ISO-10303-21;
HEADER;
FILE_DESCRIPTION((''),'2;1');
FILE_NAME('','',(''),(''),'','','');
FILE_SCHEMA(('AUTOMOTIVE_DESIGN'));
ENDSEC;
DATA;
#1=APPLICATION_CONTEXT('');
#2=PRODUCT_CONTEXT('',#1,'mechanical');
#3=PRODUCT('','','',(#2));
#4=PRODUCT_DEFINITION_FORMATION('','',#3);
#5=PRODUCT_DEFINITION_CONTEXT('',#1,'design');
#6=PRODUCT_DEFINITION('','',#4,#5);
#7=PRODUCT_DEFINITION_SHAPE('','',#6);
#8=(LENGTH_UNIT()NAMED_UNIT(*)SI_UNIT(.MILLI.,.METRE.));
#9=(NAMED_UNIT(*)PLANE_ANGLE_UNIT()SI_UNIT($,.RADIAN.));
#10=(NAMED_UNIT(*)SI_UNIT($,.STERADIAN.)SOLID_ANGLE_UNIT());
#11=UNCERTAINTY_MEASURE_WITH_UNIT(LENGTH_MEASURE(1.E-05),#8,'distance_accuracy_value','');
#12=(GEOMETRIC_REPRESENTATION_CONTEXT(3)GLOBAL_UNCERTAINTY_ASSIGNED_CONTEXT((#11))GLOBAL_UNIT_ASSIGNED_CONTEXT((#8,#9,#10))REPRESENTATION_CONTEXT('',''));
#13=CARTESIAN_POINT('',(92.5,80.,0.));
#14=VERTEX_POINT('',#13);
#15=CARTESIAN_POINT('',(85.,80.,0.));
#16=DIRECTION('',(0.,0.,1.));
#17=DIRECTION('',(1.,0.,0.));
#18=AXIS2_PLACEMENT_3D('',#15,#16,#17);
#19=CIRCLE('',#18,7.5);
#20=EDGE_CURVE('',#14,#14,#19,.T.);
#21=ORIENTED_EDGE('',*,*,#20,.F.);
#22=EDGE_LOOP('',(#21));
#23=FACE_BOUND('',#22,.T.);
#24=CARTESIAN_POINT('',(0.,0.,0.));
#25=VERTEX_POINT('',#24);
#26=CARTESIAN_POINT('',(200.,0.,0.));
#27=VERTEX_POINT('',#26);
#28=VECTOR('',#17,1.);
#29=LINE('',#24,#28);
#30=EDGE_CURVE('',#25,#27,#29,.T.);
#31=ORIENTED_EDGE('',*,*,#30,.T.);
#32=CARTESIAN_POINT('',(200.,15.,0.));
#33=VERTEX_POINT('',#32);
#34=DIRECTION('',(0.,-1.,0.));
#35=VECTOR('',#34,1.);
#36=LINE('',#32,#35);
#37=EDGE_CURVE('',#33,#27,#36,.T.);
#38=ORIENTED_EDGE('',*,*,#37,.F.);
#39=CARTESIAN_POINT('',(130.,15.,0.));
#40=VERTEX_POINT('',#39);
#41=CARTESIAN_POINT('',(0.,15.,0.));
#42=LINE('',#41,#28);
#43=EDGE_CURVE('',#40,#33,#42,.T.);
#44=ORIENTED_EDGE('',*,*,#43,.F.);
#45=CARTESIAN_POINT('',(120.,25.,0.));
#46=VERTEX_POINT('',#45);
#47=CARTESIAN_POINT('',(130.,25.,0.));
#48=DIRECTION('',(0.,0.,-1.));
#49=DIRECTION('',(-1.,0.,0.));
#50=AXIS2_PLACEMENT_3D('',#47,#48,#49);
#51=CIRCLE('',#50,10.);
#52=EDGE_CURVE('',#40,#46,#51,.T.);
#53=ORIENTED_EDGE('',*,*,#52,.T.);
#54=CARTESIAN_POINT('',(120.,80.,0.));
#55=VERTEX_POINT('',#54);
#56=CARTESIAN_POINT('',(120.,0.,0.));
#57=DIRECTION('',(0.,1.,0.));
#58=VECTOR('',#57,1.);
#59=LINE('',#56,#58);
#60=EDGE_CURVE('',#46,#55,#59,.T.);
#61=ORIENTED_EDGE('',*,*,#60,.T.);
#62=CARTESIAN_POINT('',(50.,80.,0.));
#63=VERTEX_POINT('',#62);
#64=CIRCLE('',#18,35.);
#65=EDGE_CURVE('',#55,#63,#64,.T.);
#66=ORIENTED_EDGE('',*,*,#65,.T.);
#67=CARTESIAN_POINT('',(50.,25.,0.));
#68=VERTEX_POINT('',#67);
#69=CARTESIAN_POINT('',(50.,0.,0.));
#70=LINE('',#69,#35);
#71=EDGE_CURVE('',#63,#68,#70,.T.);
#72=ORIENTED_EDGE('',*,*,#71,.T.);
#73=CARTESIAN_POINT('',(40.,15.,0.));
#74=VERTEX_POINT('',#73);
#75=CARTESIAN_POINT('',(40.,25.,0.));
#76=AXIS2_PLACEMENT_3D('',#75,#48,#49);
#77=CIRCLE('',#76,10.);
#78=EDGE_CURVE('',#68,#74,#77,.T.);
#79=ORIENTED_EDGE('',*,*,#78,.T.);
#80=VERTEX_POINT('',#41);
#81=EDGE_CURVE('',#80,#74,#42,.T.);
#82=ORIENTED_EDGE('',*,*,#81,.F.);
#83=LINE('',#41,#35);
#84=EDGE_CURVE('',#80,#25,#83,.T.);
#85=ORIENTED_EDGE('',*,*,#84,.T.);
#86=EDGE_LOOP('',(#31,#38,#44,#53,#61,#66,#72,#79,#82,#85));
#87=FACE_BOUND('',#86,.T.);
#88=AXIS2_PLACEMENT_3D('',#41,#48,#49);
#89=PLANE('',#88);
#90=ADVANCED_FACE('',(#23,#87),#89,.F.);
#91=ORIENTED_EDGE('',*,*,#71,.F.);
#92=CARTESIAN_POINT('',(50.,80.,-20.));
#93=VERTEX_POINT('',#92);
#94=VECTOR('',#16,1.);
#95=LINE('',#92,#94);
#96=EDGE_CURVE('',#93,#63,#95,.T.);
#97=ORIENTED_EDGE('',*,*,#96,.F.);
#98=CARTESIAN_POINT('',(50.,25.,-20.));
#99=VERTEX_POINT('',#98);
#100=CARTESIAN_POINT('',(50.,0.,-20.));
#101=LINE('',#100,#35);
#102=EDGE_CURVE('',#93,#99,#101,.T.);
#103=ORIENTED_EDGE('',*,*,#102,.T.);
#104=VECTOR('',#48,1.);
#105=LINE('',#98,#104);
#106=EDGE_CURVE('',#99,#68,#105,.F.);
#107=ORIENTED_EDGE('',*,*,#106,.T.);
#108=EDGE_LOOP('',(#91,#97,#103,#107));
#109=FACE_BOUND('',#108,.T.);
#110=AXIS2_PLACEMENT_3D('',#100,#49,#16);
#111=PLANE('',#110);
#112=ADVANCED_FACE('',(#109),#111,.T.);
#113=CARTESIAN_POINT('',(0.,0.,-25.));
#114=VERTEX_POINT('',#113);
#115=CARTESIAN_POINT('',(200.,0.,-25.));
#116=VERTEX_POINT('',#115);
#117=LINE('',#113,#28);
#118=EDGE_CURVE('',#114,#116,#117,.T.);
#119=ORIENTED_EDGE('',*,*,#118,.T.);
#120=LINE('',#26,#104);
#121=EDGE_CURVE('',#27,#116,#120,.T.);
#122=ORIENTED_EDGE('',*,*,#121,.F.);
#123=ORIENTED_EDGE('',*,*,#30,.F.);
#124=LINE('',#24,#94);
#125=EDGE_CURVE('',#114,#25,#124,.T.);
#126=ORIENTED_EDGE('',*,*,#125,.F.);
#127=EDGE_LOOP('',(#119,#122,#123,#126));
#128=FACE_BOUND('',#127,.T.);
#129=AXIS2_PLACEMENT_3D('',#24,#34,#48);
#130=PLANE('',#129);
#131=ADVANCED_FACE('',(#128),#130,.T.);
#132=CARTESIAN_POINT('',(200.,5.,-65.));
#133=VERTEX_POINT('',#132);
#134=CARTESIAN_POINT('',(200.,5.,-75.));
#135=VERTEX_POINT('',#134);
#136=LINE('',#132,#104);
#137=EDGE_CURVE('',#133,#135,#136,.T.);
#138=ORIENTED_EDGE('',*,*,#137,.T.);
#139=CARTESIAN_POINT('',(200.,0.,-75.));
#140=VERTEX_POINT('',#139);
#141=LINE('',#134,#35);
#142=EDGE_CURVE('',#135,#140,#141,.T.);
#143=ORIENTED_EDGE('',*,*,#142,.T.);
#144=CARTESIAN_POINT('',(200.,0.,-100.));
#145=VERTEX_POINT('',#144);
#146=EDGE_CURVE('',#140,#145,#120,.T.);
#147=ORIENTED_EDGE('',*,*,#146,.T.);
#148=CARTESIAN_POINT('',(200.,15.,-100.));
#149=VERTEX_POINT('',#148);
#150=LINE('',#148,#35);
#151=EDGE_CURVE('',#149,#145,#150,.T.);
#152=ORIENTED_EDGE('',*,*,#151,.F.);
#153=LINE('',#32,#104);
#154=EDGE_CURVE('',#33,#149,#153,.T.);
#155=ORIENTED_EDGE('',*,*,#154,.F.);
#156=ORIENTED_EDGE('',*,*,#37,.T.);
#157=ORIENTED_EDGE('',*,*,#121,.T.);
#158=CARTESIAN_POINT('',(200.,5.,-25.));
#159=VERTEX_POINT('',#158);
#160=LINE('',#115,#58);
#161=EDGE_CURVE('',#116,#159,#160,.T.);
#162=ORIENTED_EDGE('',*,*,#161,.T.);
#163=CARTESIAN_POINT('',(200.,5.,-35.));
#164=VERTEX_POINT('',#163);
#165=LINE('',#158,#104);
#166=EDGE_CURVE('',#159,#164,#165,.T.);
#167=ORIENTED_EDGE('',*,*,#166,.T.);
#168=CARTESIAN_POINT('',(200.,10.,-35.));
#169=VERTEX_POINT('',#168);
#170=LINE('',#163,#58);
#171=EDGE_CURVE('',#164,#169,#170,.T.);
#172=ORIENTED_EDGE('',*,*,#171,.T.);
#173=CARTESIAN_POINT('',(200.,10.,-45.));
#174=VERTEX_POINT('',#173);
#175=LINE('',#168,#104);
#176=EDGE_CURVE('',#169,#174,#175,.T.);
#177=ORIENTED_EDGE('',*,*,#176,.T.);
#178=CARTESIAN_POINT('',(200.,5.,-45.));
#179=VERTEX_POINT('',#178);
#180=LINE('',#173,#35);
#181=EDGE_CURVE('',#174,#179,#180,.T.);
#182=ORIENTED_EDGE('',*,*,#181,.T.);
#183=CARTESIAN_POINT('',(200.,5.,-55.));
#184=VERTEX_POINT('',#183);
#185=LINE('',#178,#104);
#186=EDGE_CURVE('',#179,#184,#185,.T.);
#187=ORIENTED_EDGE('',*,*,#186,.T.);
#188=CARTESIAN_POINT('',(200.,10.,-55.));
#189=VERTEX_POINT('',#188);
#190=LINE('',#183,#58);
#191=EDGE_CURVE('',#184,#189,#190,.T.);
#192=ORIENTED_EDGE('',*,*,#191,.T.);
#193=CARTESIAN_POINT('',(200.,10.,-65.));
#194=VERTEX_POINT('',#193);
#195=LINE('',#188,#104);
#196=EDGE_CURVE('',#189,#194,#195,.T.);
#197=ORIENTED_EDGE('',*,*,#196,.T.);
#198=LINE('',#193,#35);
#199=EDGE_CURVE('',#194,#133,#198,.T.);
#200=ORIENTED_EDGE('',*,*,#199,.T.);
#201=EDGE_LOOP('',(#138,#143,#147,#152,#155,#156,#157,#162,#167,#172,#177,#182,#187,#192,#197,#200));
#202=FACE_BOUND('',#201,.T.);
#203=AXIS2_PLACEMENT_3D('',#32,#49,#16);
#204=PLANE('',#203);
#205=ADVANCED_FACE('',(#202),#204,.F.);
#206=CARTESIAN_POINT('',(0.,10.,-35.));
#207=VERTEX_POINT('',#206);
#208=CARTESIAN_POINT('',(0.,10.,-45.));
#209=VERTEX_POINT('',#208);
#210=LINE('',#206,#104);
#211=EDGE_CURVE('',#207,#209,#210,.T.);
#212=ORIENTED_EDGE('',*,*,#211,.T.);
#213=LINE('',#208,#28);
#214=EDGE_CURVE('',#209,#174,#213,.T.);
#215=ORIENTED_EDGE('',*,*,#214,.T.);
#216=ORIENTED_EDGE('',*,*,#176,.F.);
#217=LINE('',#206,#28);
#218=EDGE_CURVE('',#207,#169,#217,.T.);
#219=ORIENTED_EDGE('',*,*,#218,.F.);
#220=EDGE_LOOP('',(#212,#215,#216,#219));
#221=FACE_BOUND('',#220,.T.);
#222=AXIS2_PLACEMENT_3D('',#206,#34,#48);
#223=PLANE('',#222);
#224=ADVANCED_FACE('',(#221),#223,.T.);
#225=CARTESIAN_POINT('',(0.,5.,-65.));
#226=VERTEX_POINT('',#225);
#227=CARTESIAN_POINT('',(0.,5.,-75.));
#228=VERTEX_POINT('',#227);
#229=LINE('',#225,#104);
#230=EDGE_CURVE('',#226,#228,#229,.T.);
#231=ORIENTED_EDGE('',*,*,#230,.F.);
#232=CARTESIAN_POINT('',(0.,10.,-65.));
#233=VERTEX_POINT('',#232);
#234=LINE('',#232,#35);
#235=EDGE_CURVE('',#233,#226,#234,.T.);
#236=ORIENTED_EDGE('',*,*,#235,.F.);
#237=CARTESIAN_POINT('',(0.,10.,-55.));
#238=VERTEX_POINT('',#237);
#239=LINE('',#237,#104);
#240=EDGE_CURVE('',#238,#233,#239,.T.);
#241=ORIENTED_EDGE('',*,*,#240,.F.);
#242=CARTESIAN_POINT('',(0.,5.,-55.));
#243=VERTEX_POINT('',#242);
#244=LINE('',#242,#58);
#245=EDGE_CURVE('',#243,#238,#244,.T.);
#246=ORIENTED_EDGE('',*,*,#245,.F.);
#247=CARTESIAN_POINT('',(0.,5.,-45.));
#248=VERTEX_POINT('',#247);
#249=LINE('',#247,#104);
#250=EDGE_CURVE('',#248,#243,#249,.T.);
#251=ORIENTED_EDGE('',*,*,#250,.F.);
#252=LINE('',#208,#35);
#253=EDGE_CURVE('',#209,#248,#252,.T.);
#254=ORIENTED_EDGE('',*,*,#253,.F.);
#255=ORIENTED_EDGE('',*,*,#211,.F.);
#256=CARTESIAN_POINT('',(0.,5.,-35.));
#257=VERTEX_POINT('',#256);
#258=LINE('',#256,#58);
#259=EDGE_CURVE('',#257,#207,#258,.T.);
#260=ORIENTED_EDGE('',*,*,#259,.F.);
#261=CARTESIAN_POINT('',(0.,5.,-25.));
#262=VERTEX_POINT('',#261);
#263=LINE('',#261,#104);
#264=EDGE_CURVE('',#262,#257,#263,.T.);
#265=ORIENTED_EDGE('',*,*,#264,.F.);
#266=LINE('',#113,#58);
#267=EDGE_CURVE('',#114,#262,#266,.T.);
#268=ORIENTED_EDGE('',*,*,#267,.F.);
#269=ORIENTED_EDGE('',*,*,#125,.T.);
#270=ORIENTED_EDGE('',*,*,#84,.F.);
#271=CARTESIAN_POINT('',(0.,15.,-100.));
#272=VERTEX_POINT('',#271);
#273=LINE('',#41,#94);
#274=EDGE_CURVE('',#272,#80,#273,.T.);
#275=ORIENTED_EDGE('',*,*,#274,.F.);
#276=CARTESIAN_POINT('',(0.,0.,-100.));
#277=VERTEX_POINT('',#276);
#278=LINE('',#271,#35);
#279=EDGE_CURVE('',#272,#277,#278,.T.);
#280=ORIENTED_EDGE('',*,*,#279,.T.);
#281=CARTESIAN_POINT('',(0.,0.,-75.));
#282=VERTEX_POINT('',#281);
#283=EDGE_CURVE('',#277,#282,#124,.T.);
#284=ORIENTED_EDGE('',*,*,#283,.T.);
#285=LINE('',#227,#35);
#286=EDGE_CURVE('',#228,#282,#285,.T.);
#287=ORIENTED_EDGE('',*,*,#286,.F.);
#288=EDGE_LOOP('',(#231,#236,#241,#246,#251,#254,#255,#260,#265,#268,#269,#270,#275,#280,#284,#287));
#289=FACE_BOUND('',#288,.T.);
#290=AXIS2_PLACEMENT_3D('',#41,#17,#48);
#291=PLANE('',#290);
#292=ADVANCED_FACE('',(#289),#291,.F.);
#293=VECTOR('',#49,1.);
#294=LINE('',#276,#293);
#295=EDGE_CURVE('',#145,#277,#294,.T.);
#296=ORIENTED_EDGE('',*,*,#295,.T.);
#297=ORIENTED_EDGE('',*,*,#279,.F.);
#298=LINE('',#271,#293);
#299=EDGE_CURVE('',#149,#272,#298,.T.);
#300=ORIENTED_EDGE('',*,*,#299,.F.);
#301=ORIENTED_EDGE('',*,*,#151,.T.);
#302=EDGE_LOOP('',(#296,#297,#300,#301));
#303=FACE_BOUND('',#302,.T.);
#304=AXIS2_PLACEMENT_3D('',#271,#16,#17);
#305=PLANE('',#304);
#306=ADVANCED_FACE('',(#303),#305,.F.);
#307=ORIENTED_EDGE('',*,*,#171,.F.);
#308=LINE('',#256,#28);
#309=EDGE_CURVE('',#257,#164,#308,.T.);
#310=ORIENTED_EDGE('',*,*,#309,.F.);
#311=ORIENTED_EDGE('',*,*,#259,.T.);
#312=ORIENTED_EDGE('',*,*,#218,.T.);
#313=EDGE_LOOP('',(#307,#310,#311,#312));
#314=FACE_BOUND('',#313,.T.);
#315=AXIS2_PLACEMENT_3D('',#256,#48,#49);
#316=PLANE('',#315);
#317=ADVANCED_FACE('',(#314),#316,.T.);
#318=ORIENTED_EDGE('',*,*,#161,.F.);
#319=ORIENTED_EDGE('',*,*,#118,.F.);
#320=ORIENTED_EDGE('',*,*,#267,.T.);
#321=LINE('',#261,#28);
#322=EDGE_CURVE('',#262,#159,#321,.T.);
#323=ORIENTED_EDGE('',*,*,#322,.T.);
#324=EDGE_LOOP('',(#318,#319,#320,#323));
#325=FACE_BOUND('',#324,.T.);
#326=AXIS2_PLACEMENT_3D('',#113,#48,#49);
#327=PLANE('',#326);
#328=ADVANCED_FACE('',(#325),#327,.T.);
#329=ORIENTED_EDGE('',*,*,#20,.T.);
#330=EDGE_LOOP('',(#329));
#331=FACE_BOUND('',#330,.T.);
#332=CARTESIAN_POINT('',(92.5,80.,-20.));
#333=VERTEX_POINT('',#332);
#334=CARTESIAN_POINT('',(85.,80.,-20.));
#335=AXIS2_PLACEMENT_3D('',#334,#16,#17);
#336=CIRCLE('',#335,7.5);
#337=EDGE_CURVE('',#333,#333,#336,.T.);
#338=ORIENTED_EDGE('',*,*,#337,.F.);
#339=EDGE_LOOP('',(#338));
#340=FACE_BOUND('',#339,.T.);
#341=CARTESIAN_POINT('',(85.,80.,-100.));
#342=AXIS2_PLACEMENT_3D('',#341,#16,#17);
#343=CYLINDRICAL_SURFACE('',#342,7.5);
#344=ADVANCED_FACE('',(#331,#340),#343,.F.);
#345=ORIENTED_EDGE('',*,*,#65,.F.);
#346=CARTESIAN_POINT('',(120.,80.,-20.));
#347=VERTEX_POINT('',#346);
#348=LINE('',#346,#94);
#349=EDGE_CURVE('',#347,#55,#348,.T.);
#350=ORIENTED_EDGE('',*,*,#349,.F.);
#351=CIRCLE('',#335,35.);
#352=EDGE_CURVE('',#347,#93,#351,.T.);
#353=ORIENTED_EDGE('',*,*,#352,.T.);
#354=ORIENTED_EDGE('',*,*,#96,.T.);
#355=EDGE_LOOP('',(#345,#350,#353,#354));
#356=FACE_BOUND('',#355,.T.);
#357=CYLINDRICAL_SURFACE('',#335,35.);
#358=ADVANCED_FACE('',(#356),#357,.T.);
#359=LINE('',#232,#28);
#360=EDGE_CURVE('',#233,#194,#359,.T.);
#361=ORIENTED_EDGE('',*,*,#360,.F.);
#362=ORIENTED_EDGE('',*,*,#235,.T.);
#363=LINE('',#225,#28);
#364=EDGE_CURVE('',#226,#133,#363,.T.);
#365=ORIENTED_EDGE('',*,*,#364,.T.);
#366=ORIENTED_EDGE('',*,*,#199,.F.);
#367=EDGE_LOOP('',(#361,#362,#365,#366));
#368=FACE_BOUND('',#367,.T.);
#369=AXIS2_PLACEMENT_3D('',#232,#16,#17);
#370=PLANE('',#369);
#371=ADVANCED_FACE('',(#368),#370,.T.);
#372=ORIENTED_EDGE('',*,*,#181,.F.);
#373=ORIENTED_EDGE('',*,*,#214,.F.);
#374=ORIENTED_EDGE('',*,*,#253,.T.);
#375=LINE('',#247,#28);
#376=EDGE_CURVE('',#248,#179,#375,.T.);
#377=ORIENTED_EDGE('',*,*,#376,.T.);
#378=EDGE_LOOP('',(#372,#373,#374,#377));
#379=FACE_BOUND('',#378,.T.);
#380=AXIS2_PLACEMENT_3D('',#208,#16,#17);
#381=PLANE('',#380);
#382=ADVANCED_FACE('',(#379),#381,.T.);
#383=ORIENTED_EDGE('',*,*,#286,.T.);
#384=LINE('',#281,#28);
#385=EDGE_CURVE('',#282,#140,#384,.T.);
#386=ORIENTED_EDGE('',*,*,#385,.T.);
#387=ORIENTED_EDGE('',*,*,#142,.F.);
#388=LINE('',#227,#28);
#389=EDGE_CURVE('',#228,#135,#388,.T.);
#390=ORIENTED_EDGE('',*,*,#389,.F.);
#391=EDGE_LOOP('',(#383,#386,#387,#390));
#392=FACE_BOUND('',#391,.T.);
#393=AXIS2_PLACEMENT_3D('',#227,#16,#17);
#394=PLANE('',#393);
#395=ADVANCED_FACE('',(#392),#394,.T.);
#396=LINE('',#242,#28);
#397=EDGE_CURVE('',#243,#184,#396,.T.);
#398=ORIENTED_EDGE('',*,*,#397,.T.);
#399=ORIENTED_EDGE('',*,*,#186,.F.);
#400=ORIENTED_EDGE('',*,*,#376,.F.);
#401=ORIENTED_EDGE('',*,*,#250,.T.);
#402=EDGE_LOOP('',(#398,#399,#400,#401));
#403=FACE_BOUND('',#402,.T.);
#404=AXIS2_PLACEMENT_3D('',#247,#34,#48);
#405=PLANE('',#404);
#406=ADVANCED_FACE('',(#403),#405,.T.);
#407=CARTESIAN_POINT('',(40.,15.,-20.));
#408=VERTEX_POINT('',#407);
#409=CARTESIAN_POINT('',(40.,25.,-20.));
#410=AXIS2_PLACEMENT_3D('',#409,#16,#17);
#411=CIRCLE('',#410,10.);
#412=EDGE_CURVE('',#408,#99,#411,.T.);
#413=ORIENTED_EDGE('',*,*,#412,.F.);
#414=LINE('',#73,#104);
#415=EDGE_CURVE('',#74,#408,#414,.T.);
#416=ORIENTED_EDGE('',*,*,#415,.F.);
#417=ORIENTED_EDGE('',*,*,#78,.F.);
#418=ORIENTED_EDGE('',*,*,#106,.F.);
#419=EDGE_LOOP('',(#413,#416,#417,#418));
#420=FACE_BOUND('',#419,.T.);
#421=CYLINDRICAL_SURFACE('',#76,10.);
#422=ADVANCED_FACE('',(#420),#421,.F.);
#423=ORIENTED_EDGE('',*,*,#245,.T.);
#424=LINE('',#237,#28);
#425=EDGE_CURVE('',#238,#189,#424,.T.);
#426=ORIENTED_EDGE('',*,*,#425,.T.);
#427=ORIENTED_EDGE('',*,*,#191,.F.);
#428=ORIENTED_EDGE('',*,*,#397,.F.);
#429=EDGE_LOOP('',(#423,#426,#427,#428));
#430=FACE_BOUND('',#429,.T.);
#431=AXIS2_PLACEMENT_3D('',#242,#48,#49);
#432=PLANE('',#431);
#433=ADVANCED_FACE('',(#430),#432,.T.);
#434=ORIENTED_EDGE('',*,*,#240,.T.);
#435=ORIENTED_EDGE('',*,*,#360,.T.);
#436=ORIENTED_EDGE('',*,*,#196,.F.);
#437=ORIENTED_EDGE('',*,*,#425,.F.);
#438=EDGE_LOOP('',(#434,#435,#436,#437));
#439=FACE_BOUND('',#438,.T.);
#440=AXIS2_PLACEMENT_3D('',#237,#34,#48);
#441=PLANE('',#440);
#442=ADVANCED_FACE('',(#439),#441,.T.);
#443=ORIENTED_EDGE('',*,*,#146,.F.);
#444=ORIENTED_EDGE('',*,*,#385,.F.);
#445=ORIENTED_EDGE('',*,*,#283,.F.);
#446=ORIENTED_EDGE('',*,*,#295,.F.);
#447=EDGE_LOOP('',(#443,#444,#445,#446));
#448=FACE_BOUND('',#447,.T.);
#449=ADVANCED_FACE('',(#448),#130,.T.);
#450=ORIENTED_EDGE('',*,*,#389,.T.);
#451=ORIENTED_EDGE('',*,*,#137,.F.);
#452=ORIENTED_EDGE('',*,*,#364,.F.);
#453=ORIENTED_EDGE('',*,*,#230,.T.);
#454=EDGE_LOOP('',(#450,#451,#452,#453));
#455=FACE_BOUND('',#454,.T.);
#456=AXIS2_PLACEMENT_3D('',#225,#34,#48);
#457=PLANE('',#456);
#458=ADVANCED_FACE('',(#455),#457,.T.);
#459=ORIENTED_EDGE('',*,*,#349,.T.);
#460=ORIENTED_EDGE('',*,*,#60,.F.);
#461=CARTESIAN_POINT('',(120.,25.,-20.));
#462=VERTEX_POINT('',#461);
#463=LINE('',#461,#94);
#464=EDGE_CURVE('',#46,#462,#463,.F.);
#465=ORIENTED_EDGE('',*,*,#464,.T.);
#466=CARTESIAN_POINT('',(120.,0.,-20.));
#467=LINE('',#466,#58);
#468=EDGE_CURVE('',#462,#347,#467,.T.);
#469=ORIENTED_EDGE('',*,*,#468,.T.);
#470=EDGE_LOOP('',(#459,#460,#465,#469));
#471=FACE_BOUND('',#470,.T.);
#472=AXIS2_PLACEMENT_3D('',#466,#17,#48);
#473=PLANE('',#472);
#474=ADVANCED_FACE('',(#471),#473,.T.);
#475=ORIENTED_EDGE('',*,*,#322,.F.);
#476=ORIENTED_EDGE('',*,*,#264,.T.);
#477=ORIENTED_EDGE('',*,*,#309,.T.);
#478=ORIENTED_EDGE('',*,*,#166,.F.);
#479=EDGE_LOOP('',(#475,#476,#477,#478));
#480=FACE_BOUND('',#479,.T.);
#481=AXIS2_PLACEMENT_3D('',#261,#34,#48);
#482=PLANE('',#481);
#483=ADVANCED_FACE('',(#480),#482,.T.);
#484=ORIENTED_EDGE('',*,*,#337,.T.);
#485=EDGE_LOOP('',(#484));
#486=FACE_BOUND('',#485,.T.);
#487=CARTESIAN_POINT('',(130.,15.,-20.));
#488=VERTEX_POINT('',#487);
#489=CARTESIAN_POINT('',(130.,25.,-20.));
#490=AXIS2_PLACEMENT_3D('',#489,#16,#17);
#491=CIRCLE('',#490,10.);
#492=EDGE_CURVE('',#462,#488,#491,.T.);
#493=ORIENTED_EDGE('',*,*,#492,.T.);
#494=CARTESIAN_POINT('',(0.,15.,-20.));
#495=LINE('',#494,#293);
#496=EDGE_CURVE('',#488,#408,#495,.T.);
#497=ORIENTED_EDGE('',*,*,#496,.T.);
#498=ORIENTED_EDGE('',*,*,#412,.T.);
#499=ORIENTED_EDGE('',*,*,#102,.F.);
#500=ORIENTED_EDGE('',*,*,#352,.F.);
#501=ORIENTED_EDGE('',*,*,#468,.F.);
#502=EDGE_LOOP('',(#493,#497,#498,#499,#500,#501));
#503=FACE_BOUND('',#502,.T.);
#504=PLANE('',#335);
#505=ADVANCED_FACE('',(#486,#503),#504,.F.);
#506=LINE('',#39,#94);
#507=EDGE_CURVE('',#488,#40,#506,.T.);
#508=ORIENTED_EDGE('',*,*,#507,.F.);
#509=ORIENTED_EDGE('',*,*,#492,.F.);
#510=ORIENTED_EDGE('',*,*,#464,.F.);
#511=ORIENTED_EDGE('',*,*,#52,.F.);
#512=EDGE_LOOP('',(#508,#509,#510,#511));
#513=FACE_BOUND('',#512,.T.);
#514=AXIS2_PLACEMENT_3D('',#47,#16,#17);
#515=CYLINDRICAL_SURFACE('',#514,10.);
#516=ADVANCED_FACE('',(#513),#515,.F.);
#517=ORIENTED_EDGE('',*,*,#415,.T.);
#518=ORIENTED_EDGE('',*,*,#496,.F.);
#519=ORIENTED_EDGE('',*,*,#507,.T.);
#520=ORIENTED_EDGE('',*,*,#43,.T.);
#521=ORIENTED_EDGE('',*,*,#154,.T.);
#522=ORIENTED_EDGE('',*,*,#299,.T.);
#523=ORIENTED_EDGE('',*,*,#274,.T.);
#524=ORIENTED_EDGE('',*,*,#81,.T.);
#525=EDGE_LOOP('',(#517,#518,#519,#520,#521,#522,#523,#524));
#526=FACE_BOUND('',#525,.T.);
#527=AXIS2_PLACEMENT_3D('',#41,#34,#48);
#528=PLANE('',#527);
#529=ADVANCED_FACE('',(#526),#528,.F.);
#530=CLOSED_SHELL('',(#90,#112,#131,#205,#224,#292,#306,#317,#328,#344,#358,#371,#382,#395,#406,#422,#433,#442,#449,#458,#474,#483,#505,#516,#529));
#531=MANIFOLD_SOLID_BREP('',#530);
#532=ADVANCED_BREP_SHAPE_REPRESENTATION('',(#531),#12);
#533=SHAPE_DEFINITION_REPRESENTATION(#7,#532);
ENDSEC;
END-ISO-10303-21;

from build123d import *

# Parameters (mm, degrees)
SKETCH_1_W          = 200
SKETCH_1_H          = 100
EXTRUDE_1_DEPTH     = 15
EXTRUDE_2_DEPTH     = 20
CUT_EXTRUDE_2_DEPTH = 201
SKETCH_4_R          = 7.5
CUT_EXTRUDE_3_DEPTH = 101
FILLET_2_R          = 10


with BuildPart() as part:
    # 스케치1 → 보스-돌출1 (new body)
    with BuildSketch(Plane(origin=(0, 0, 0), x_dir=(1, 0, 0), z_dir=(0, 1, 0))):
        with Locations((100, 50)):
            Rectangle(SKETCH_1_W, SKETCH_1_H)
    extrude(amount=EXTRUDE_1_DEPTH)

    # 스케치2 → 보스-돌출2 (add)
    with BuildSketch(Plane.XY):
        with BuildLine():
            Line((50, 0), (120, 0))
            Line((120, 0), (120, 80))
            ThreePointArc((120, 80), (85, 115), (50, 80))
            Line((50, 80), (50, 0))
        make_face()
    extrude(amount=-EXTRUDE_2_DEPTH)

    # 스케치3 → 컷-돌출2 (cut, through all)
    with BuildSketch(Plane(origin=(200, 0, 0), x_dir=(0, 0, -1), z_dir=(1, 0, 0))):
        Polygon((25, 0), (25, 5), (35, 5), (35, 10), (45, 10), (45, 5), (55, 5), (55, 10), (65, 10), (65, 5), (75, 5), (75, 0), align=None)
    extrude(amount=-CUT_EXTRUDE_2_DEPTH, mode=Mode.SUBTRACT)

    # 스케치4 → 컷-돌출3 (cut, through all)
    with BuildSketch(Plane.XY):
        with Locations((85, 80)):
            Circle(SKETCH_4_R)
    extrude(amount=-CUT_EXTRUDE_3_DEPTH, mode=Mode.SUBTRACT)

    # 필렛2
    fillet_2_edges = [part.edges().sort_by_distance(p)[0] for p in [
        (50, 15, -10),
        (120, 15, -10),
    ]]
    fillet(fillet_2_edges, radius=FILLET_2_R)


solid = part.part
